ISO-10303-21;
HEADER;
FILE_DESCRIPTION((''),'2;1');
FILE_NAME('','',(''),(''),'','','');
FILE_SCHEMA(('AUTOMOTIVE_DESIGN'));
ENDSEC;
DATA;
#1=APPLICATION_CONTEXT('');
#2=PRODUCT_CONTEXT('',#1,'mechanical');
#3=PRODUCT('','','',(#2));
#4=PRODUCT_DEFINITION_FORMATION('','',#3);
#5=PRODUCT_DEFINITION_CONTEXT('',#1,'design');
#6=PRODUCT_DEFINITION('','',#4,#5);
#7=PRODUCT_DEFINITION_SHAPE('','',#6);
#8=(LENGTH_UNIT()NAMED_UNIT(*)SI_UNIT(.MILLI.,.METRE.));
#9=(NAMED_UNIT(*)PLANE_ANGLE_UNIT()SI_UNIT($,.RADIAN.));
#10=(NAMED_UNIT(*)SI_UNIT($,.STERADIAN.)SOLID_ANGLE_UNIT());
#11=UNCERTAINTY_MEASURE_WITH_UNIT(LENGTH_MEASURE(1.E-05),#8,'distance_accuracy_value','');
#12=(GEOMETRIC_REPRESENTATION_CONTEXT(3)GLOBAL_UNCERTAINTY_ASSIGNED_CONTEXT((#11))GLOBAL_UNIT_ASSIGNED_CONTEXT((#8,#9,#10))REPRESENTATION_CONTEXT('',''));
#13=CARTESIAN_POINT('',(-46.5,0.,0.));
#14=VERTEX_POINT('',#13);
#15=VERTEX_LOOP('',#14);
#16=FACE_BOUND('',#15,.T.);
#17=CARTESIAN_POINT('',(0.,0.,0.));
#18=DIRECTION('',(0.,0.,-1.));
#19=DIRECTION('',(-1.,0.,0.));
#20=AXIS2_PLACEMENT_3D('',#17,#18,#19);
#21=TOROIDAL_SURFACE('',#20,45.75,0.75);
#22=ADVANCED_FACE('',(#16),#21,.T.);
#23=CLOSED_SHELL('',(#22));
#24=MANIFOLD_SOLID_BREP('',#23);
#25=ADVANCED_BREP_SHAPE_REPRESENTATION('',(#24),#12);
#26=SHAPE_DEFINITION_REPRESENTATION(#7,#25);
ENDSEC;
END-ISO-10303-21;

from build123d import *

# Parameters (mm, degrees)
SKETCH2_R = 0.75


with BuildPart() as part:
    # Sketch2 → Revolve1 (revolve)
    with BuildSketch(Plane(origin=(0, 0, 0), x_dir=(1, 0, 0), z_dir=(0, 1, 0)), mode=Mode.PRIVATE) as revolve1_sk:
        with Locations((45.75, 0)):
            Circle(SKETCH2_R)
    revolve(revolve1_sk.sketch.rotate(Axis((0, 0, -0.75), (0, 0, 1)), 180), axis=Axis((0, 0, -0.75), (0, 0, 1)))


solid = part.part
